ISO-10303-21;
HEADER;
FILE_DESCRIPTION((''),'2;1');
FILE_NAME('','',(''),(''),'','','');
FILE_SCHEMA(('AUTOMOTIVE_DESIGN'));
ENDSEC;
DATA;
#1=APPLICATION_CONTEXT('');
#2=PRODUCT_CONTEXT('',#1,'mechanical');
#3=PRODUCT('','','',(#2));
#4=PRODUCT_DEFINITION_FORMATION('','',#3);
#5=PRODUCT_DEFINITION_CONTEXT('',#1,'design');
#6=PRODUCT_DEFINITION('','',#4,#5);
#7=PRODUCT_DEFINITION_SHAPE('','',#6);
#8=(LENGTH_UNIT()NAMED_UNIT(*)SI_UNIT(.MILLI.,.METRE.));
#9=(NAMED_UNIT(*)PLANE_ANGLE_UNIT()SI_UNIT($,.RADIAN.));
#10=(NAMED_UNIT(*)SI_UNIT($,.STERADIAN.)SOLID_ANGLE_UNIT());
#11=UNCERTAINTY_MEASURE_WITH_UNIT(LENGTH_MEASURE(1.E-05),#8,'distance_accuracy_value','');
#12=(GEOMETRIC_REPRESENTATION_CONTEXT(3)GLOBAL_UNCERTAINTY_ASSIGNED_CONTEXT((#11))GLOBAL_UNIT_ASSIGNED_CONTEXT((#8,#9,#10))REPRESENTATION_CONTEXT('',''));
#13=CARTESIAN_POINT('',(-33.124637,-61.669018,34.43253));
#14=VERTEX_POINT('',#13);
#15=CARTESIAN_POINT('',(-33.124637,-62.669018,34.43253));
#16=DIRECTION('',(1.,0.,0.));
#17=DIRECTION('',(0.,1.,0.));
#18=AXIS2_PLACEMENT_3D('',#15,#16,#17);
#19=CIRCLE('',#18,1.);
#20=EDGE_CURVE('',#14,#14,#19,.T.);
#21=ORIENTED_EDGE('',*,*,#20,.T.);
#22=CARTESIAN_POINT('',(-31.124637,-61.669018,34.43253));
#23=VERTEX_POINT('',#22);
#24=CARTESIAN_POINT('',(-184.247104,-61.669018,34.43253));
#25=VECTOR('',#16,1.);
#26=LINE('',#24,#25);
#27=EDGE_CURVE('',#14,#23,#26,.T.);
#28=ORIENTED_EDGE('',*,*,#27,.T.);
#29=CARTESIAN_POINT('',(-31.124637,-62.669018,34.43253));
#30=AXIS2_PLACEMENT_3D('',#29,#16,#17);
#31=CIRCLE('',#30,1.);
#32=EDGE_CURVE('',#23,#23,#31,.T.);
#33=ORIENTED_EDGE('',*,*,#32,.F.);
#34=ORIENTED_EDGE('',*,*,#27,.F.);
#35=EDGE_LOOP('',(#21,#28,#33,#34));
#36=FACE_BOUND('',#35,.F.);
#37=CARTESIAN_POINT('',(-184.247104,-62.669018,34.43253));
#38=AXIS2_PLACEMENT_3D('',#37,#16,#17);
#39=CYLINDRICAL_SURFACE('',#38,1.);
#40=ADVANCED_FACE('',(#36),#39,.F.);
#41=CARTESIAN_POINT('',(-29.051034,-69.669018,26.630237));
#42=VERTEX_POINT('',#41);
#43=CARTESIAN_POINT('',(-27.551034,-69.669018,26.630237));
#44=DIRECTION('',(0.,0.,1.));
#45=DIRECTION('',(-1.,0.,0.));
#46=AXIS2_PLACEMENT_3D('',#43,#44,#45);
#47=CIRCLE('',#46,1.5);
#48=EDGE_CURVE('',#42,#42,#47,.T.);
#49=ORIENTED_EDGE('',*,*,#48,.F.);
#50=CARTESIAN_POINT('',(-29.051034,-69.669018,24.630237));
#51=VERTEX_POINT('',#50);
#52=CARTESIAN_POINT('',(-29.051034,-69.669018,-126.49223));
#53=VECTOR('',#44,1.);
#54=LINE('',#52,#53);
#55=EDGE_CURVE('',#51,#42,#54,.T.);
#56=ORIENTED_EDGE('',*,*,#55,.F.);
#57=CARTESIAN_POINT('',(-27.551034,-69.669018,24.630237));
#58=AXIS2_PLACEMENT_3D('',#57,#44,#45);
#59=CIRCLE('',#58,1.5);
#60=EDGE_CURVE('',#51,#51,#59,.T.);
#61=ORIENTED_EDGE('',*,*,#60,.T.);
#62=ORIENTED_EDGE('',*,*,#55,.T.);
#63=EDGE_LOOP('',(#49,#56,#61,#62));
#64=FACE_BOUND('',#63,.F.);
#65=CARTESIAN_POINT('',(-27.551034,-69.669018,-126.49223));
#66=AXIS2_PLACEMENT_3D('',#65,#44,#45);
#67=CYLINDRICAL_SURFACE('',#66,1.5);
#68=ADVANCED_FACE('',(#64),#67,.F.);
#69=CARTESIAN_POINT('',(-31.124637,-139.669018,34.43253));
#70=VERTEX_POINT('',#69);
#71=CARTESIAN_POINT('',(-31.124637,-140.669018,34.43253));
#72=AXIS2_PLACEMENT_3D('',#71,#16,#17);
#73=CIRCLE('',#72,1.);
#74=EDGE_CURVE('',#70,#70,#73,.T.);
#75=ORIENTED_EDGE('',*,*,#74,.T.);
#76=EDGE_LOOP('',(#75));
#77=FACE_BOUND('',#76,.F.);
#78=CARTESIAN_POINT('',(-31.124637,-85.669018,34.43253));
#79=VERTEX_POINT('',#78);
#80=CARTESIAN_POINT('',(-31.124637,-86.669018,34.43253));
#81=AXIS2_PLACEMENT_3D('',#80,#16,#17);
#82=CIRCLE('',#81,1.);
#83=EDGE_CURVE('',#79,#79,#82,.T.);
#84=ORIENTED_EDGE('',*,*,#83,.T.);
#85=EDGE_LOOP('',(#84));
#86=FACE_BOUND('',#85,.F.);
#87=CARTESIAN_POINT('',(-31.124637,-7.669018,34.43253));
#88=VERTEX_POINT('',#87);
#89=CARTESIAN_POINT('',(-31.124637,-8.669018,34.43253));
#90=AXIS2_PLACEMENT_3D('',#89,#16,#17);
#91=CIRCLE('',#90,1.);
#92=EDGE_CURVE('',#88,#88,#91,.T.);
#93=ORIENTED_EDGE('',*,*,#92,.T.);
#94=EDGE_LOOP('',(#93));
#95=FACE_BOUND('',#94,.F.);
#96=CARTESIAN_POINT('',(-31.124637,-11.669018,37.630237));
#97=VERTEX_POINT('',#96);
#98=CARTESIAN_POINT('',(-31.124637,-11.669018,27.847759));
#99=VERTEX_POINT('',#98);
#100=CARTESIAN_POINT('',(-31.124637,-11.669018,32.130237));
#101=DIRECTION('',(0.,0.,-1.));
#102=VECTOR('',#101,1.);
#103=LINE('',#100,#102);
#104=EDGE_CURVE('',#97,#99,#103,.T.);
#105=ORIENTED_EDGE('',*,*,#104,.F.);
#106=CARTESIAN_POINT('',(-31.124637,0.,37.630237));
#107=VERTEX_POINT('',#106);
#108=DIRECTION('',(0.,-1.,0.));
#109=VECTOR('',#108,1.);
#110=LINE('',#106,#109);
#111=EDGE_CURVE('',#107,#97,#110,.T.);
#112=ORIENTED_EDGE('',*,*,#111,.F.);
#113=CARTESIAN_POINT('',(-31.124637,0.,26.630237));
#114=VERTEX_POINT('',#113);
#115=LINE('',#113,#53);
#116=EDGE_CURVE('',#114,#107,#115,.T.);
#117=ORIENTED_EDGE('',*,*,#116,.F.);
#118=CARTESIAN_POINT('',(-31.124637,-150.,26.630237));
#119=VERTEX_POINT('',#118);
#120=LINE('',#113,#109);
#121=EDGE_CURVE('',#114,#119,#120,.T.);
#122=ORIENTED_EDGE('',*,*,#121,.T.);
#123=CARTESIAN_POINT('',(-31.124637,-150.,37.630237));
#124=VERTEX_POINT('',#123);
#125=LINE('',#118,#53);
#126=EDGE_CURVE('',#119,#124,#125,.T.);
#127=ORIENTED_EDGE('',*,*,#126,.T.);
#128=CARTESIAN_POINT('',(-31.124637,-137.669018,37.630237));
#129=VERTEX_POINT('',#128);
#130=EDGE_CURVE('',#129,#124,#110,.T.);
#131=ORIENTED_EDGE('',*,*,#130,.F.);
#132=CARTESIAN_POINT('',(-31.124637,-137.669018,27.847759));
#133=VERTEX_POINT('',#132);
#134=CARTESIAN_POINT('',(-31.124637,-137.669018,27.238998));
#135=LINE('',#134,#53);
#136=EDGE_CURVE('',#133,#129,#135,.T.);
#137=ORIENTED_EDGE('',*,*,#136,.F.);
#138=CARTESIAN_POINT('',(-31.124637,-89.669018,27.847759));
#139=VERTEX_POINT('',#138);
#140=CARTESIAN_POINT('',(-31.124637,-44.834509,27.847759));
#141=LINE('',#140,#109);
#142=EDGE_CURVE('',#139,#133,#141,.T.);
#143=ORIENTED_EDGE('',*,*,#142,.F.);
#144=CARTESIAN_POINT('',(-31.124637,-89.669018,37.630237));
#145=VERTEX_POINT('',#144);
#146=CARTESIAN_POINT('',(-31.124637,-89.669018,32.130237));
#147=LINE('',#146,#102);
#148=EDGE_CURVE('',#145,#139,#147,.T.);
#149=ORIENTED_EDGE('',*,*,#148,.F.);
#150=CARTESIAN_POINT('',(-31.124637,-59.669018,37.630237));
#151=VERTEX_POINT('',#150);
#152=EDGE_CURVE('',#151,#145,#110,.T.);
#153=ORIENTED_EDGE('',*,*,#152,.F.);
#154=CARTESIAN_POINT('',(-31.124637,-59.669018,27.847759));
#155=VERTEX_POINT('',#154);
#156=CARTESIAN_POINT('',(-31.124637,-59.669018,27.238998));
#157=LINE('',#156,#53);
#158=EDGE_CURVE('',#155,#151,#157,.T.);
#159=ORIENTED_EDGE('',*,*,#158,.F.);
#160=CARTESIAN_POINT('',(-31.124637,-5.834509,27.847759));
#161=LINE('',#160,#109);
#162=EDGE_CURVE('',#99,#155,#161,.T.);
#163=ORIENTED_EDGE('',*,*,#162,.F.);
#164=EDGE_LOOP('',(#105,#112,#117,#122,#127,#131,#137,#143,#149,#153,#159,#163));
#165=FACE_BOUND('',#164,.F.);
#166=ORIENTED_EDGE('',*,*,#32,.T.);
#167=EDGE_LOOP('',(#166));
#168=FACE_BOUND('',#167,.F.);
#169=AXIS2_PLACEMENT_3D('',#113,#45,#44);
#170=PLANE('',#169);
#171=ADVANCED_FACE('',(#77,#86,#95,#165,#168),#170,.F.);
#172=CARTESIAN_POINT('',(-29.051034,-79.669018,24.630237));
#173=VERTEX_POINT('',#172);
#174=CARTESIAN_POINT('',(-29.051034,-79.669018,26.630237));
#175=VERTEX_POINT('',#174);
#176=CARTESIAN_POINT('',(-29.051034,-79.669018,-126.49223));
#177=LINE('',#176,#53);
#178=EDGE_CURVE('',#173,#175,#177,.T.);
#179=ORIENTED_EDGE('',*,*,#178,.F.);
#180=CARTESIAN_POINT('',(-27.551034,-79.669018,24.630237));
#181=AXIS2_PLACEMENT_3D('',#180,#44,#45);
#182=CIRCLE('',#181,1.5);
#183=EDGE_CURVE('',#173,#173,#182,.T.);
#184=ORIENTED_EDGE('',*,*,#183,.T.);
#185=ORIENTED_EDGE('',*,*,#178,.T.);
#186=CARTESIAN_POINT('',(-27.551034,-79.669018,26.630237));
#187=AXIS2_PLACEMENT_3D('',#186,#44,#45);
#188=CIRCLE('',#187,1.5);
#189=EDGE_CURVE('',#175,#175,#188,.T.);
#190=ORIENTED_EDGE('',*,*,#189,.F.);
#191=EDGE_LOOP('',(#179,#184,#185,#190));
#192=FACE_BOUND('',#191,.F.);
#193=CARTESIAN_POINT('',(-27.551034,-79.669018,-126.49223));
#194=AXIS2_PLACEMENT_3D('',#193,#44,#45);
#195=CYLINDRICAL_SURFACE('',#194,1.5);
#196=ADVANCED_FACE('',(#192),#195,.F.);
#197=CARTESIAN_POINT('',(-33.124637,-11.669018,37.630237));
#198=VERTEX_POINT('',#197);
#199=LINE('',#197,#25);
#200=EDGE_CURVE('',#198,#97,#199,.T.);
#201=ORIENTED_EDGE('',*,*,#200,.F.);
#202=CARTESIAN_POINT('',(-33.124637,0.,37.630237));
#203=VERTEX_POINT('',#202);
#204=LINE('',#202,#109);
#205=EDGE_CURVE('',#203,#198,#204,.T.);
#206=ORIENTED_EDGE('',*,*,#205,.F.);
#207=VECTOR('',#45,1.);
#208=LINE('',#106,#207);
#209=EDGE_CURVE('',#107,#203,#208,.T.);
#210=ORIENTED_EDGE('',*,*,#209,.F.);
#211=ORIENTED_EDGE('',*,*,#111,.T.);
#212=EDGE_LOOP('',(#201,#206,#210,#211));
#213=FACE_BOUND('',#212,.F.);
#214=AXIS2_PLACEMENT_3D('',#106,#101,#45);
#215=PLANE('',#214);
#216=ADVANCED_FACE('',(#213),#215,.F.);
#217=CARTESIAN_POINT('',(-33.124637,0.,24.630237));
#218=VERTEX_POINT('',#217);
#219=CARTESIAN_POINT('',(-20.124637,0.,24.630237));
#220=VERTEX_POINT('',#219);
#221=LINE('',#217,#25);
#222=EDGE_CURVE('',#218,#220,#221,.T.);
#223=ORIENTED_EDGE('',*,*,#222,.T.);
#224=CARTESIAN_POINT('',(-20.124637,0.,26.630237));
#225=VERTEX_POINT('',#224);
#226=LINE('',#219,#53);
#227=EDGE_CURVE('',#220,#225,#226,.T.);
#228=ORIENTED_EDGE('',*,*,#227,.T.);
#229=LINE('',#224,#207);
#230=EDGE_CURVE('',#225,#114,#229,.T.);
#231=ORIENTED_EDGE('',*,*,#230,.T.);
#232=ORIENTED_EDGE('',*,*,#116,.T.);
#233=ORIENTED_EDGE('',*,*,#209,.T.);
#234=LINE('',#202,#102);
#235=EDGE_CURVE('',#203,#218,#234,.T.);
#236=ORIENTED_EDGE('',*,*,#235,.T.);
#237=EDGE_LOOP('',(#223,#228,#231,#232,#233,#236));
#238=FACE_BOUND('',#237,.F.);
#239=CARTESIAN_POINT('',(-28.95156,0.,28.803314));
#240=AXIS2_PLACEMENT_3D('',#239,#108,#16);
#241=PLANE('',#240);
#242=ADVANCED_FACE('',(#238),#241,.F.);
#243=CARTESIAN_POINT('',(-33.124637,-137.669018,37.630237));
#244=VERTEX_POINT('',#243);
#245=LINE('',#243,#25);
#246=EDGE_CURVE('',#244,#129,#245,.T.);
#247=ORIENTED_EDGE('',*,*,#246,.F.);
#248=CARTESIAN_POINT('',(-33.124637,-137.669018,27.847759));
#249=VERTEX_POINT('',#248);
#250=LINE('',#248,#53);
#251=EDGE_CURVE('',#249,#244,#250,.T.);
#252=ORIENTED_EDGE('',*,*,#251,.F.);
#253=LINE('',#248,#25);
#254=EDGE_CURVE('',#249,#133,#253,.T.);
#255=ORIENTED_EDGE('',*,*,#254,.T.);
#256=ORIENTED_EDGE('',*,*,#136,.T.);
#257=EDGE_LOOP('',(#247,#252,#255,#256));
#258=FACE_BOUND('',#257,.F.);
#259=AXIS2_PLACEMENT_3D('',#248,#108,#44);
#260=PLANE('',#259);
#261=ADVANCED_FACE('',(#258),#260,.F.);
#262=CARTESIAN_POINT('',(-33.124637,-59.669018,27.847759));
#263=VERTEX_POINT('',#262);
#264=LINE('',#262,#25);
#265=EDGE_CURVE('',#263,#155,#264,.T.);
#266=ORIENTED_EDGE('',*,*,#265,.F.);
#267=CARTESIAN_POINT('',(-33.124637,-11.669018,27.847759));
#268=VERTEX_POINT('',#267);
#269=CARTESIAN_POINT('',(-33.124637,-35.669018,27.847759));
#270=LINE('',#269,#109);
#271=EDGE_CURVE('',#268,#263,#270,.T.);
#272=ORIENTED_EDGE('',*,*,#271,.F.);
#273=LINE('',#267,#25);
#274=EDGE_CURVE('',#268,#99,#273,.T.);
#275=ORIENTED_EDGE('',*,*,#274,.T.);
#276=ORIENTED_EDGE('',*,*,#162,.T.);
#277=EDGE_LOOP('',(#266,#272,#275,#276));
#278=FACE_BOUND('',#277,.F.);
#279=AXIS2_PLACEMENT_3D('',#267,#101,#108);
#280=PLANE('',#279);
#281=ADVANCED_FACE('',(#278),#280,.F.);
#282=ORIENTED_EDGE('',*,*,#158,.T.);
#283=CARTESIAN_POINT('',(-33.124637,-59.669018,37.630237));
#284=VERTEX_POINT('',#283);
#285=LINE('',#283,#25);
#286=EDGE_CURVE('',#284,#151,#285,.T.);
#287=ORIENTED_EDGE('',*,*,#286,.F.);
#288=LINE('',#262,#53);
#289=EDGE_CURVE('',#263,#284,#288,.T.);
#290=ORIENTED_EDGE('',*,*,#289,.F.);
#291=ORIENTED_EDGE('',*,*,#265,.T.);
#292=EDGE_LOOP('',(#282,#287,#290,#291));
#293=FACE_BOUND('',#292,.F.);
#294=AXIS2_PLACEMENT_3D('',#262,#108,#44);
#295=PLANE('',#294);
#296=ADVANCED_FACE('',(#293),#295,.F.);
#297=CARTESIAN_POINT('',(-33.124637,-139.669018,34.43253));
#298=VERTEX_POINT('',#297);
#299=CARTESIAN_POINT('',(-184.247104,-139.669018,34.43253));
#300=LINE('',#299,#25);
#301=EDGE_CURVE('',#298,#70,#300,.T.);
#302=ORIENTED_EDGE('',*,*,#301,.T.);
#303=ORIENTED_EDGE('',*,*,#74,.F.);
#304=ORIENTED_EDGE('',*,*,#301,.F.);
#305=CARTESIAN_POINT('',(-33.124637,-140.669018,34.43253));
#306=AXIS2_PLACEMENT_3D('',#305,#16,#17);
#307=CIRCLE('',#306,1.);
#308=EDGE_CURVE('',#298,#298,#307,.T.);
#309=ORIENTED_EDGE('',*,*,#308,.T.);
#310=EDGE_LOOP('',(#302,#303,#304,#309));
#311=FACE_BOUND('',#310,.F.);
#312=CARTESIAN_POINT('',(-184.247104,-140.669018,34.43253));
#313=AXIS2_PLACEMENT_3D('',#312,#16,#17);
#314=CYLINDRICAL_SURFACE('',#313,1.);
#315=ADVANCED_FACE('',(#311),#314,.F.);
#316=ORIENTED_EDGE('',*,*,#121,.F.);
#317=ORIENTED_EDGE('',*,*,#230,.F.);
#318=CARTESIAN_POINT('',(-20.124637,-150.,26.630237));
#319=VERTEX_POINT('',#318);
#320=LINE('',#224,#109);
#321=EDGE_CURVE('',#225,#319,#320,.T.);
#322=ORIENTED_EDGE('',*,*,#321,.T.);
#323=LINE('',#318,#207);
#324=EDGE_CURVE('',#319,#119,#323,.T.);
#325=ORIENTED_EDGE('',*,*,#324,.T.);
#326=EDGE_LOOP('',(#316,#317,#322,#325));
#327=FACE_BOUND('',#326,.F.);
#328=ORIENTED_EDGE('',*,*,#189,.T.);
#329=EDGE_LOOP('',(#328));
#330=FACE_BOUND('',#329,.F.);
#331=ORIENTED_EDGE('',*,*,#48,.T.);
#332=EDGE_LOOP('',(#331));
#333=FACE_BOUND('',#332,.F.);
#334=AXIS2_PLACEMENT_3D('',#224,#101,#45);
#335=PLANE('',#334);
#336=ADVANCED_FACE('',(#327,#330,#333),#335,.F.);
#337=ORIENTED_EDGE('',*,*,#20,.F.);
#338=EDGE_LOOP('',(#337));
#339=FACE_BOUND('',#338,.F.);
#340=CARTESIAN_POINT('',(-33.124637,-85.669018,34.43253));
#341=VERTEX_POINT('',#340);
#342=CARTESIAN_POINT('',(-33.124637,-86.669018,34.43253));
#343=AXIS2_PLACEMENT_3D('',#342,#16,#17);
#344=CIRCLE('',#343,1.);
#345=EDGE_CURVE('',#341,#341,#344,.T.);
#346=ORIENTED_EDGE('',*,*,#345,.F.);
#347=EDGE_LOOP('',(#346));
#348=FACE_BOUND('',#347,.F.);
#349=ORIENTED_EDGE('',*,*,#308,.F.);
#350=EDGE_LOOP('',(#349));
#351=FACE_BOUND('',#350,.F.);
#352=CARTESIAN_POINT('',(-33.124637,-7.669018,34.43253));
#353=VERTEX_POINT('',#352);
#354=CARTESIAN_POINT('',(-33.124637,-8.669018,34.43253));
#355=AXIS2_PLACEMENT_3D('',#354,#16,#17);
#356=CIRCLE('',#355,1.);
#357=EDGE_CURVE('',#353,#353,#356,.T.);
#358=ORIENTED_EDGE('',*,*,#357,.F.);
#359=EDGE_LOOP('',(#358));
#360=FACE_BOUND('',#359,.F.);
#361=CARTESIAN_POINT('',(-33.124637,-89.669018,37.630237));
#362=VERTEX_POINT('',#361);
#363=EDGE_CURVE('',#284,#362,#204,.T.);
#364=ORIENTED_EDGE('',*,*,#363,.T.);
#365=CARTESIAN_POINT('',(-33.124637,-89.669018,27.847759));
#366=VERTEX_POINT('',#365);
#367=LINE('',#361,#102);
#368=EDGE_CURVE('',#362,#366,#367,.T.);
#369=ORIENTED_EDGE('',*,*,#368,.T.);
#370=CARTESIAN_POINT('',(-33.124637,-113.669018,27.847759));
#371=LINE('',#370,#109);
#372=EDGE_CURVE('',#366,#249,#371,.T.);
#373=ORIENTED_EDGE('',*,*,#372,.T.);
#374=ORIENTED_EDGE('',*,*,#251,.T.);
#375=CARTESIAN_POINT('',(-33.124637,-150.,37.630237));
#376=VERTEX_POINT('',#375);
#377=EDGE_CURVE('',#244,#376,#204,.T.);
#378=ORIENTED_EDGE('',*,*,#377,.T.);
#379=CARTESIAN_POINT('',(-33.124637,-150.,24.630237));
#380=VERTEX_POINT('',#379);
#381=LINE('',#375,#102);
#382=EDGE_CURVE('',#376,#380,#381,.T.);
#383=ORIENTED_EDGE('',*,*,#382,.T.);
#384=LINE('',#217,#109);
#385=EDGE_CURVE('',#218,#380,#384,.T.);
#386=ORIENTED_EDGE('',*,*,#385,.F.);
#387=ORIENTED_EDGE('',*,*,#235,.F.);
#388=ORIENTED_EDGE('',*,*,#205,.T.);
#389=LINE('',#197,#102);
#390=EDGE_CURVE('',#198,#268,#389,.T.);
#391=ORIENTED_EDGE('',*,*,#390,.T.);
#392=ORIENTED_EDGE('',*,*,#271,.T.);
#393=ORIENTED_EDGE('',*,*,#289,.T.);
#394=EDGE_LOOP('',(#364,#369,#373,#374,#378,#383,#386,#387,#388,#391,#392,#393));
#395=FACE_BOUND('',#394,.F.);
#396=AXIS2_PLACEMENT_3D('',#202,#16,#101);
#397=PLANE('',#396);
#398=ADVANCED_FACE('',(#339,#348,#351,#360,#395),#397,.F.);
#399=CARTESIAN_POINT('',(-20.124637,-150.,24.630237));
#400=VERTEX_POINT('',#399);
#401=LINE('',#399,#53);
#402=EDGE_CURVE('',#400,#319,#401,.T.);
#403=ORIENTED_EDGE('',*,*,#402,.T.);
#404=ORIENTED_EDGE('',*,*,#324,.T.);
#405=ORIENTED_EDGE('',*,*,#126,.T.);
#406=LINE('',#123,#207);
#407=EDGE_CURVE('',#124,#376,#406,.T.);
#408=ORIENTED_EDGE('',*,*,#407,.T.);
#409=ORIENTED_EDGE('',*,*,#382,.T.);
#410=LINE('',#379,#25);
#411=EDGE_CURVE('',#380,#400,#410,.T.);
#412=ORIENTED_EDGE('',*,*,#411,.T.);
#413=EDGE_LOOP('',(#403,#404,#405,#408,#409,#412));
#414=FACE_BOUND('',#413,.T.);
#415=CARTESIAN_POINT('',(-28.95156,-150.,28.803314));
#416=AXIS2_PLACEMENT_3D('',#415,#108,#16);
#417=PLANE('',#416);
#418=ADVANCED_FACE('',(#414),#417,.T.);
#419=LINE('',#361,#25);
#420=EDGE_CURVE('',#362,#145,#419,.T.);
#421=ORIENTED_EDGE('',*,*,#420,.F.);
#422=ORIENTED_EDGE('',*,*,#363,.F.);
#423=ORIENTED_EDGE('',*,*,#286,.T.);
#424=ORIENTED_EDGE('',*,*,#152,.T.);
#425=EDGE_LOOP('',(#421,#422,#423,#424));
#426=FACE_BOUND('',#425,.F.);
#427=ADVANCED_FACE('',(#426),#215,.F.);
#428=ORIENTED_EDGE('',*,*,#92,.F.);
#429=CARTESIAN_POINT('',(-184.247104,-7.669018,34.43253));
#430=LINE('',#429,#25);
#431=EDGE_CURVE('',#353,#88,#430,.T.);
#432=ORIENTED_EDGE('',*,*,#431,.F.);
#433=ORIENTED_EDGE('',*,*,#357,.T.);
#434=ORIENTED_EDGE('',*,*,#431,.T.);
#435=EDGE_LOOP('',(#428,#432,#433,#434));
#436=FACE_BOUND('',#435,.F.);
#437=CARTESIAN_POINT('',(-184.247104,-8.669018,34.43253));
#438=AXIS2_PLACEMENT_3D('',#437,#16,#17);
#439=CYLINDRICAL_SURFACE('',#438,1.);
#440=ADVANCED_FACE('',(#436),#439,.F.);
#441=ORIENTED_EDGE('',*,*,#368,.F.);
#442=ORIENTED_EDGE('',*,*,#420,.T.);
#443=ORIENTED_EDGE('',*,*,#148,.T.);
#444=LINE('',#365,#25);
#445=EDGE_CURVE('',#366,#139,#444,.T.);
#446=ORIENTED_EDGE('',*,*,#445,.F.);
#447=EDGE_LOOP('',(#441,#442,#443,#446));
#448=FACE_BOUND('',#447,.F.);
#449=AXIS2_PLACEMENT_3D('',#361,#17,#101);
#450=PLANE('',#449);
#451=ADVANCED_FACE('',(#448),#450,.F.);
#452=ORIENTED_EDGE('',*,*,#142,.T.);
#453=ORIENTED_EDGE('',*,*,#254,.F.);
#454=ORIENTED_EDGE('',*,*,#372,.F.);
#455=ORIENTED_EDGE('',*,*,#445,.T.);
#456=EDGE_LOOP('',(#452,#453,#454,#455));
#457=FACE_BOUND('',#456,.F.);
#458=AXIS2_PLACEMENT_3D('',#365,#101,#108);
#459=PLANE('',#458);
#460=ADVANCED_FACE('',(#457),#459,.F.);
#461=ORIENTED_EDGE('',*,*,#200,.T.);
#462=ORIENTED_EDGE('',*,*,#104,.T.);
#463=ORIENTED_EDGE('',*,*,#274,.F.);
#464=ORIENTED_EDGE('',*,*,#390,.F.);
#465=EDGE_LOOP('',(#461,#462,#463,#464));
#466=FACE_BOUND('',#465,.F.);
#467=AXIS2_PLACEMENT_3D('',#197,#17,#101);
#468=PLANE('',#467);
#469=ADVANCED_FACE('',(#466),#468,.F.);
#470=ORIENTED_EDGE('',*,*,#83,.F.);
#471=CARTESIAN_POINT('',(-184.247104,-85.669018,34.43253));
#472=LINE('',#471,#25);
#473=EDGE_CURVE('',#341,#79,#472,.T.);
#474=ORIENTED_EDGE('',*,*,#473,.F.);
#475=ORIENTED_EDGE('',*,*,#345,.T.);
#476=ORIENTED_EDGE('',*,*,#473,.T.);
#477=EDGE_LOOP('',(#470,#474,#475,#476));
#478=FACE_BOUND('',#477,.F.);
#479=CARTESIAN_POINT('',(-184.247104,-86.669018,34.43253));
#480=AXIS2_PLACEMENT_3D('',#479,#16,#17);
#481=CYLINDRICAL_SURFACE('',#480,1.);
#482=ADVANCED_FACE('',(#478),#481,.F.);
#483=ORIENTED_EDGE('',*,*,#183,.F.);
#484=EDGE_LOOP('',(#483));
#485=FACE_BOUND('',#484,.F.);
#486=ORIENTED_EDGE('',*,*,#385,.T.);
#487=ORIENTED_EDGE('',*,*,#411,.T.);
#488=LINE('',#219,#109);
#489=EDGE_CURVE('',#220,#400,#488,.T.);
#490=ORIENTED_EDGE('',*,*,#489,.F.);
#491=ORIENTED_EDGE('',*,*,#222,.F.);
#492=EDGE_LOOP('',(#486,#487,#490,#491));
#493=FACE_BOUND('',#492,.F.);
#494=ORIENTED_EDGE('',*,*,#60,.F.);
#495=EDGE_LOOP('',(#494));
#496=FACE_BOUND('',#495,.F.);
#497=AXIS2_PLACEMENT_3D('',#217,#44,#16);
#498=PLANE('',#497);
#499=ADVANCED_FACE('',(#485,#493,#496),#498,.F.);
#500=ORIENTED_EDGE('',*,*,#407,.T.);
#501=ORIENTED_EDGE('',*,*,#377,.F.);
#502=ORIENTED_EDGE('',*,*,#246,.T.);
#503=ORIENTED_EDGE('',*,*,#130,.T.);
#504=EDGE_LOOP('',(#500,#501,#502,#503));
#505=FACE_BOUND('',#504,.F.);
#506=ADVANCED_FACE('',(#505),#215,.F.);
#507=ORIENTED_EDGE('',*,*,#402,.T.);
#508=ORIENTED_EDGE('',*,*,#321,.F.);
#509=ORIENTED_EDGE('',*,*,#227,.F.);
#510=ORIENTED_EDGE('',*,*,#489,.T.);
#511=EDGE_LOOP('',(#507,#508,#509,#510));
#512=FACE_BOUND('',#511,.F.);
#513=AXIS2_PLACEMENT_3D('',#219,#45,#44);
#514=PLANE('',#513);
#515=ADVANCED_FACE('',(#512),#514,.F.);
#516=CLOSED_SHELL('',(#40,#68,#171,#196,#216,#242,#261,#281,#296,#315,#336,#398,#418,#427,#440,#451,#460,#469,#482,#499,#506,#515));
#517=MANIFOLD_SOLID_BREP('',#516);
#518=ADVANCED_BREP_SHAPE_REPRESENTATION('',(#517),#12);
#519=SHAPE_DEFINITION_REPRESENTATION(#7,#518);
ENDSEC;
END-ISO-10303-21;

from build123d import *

# Parameters (mm, degrees)
F1_DEPTH = 150
F3_D     = 3
F4_W     = 48
F4_H     = 6.5847709775
F4_H_2   = 3.1977064162
F5_DEPTH = 78
F6_D     = 2


with BuildPart() as f1:
    # F0 (on Front) → F1 (new body)
    with BuildSketch(Plane.XZ):
        Polygon((-31.1246368587, 37.6302368194), (-33.1246368587, 37.6302368194), (-33.1246368587, 24.6302368194), (-20.1246368587, 24.6302368194), (-20.1246368587, 26.6302368194), (-31.1246368587, 26.6302368194), align=None)
    extrude(amount=F1_DEPTH)

    # F3 (through all)
    with Locations(Plane(origin=(0, 0, 24.6302368194), x_dir=(1, 0, 0), z_dir=(0, 0, -1))):
        with Locations((-27.5510344654, 69.6690183878), (-27.5510344654, 79.6690183878)):
            Hole(F3_D / 2)

    # F4 (on face) → F5 (cut)
    with BuildSketch(Plane(origin=(-33.1246368587, 0, 0), x_dir=(0, -1, 0), z_dir=(-1, 0, 0))):
        with Locations((35.6690183878, 31.1401449144)):
            Rectangle(F4_W, F4_H)
        with Locations((35.6690183878, 36.0313836113)):
            Rectangle(F4_W, F4_H_2)
        with Locations((113.6690183878, 36.0313836113)):
            Rectangle(F4_W, F4_H_2)
        with Locations((113.6690183878, 31.1401449144)):
            Rectangle(F4_W, F4_H)
    extrude(amount=-F5_DEPTH, mode=Mode.SUBTRACT)

    # F6 (through all)
    with Locations(Plane(origin=(-33.1246368587, 0, 0), x_dir=(0, -1, 0), z_dir=(-1, 0, 0))):
        with Locations((8.6690183878, 34.4325304031), (62.6690183878, 34.4325304031), (86.6690183878, 34.4325304031), (140.6690183878, 34.4325304031)):
            Hole(F6_D / 2)


solid = f1.part
